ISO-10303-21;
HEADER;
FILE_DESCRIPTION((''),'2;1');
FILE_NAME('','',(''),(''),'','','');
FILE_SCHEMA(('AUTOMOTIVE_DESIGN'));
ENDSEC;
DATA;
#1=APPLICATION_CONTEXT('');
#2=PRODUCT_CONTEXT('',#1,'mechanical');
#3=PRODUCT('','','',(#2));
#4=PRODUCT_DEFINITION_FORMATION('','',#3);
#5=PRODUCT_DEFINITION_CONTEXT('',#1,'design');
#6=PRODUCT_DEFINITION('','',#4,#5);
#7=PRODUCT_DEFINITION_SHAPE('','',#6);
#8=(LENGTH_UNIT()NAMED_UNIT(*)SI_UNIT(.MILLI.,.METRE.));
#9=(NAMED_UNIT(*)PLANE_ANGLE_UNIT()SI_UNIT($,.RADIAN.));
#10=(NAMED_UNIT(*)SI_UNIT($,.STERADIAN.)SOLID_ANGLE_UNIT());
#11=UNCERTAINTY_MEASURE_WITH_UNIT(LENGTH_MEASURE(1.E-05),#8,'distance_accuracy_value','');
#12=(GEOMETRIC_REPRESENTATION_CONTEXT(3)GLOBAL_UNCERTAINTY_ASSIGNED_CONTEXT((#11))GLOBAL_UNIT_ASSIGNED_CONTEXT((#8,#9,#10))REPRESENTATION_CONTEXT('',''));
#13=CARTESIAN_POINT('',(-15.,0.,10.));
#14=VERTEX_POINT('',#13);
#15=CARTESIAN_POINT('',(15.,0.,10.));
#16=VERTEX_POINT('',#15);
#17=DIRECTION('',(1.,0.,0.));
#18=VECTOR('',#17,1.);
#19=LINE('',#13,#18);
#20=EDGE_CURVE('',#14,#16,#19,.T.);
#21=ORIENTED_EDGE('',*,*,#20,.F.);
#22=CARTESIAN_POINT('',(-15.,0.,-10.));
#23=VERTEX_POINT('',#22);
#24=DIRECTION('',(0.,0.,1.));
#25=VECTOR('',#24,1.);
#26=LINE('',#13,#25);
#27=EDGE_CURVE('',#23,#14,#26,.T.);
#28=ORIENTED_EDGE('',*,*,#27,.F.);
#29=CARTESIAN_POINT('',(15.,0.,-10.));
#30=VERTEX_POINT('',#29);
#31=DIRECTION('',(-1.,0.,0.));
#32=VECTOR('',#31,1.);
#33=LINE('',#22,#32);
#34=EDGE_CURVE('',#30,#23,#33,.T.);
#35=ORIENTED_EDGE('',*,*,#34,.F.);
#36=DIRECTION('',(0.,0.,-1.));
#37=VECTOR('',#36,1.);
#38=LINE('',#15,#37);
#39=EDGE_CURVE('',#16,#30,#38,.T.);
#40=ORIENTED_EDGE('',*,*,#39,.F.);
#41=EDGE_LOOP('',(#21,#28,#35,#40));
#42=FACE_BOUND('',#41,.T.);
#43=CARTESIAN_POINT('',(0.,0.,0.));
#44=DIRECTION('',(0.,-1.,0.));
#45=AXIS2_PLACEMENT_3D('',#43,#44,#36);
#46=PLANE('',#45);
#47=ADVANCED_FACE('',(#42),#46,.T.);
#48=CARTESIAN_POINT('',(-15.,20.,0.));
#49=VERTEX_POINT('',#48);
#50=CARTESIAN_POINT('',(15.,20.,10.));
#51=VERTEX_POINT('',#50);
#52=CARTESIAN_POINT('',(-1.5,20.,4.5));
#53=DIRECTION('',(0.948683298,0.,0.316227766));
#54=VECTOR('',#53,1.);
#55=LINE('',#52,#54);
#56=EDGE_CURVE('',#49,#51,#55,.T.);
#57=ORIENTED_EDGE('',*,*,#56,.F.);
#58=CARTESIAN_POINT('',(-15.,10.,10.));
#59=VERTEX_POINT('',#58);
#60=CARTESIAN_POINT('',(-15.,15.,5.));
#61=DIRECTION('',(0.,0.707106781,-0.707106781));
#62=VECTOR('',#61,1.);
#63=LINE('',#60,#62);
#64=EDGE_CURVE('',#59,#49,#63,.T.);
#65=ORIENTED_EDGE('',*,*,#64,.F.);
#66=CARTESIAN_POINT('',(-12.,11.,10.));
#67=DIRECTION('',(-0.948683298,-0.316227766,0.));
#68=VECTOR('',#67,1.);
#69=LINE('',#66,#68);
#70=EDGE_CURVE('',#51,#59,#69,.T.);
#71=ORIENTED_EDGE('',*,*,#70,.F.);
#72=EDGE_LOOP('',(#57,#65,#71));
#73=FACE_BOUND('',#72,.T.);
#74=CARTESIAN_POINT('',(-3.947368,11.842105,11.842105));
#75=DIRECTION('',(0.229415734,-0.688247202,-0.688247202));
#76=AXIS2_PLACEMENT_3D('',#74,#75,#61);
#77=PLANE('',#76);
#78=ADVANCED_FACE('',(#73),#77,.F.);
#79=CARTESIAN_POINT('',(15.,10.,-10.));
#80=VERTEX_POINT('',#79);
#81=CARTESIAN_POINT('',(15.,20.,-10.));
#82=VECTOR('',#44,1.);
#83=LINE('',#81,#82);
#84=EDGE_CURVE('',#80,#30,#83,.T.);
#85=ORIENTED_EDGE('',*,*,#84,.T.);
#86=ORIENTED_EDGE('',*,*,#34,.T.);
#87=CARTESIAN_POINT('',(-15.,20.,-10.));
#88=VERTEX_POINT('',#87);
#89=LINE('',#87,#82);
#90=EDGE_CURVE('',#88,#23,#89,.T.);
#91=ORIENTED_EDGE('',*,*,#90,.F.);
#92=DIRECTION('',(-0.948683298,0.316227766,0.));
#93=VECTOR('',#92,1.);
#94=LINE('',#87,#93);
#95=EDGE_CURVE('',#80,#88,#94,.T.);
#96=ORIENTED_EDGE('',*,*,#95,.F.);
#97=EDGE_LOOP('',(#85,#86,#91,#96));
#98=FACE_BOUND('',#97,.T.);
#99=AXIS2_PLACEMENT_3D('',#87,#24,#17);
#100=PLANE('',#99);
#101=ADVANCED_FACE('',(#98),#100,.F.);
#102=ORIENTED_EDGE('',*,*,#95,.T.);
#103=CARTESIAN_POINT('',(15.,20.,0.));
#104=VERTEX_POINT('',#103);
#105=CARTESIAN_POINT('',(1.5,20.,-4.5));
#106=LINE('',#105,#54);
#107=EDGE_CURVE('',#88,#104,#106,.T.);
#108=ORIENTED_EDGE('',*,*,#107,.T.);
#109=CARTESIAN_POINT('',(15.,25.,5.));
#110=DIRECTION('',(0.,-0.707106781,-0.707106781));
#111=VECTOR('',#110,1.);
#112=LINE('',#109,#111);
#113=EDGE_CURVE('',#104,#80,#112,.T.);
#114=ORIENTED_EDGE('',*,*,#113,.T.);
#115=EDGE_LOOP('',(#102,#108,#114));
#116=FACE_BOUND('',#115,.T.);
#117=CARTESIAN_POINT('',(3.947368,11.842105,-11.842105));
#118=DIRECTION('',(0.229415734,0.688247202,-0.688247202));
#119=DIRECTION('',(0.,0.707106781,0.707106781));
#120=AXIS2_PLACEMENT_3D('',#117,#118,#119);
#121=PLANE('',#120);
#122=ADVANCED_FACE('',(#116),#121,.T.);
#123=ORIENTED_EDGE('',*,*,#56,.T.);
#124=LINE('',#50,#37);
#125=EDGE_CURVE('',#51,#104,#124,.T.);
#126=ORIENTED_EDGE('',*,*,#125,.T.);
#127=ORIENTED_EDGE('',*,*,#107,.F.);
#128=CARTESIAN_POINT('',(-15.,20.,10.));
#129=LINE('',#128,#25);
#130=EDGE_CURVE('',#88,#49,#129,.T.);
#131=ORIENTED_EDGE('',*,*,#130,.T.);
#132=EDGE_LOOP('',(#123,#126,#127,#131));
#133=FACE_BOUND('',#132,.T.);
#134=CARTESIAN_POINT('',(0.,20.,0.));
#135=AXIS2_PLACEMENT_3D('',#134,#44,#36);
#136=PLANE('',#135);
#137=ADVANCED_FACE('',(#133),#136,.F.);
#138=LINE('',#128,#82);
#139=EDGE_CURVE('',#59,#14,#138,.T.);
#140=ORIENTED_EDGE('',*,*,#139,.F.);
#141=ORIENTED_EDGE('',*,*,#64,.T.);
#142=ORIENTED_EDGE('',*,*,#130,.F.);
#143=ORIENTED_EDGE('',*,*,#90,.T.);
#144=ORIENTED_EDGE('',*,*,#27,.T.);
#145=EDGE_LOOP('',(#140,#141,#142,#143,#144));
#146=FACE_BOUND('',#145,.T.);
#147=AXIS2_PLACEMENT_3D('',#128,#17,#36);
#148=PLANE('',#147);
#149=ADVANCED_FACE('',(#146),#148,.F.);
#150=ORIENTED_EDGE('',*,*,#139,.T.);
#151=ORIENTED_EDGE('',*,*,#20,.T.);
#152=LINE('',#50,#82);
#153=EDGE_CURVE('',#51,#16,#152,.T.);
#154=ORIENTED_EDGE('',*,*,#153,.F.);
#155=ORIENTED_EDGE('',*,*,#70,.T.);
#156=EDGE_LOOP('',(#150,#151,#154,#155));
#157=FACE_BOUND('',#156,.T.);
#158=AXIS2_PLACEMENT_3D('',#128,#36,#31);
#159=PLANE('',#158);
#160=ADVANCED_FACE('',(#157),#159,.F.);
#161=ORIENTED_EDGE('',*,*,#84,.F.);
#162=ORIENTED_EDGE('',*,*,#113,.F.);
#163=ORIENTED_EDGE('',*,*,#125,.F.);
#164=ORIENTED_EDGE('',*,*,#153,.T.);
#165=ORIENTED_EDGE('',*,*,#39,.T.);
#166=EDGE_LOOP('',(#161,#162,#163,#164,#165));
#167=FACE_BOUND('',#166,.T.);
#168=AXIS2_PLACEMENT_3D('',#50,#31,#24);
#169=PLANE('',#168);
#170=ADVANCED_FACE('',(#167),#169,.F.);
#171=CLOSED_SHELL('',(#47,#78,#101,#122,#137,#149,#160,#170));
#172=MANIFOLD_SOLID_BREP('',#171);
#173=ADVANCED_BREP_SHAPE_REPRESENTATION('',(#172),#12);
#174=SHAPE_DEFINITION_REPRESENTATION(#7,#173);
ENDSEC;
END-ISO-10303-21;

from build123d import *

# Parameters (mm, degrees)
SKETCH_1_W          = 30
SKETCH_1_H          = 20
EXTRUDE_1_DEPTH     = 20
CUT_EXTRUDE_1_DEPTH = 20
SKETCH_10_W         = 32.252295377
SKETCH_10_H         = 15.179180951
CUT_EXTRUDE_2_DEPTH = 25


with BuildPart() as part:
    # 草圖1 → 填料-伸長1 (new body)
    with BuildSketch(Plane(origin=(0, 0, 0), x_dir=(1, 0, 0), z_dir=(0, 1, 0))):
        Rectangle(SKETCH_1_W, SKETCH_1_H)
    extrude(amount=EXTRUDE_1_DEPTH)

    # 草圖6 → 除料-伸長1 (cut)
    with BuildSketch(Plane(origin=(3.947368421, 11.842105263, -11.842105263), x_dir=(0.973328527, -0.162221421, 0.162221421), z_dir=(-0.229415734, -0.688247202, 0.688247202))):
        Polygon((0, 0), (-20.538761547, 0), (-20.538761547, 12.535207186), (11.71353383, 14.625633738), (12.268136792, -0.263322726), align=None)
    extrude(amount=-CUT_EXTRUDE_1_DEPTH, mode=Mode.SUBTRACT)

    # 草圖10 → 除料-伸長2 (cut)
    with BuildSketch(Plane(origin=(-3.947368421, 11.842105263, 11.842105263), x_dir=(0.973328527, 0.162221421, 0.162221421), z_dir=(-0.229415734, 0.688247202, 0.688247202))):
        with Locations((3.943334428, 7.114500239)):
            Rectangle(SKETCH_10_W, SKETCH_10_H)
    extrude(amount=CUT_EXTRUDE_2_DEPTH, mode=Mode.SUBTRACT)


solid = part.part
